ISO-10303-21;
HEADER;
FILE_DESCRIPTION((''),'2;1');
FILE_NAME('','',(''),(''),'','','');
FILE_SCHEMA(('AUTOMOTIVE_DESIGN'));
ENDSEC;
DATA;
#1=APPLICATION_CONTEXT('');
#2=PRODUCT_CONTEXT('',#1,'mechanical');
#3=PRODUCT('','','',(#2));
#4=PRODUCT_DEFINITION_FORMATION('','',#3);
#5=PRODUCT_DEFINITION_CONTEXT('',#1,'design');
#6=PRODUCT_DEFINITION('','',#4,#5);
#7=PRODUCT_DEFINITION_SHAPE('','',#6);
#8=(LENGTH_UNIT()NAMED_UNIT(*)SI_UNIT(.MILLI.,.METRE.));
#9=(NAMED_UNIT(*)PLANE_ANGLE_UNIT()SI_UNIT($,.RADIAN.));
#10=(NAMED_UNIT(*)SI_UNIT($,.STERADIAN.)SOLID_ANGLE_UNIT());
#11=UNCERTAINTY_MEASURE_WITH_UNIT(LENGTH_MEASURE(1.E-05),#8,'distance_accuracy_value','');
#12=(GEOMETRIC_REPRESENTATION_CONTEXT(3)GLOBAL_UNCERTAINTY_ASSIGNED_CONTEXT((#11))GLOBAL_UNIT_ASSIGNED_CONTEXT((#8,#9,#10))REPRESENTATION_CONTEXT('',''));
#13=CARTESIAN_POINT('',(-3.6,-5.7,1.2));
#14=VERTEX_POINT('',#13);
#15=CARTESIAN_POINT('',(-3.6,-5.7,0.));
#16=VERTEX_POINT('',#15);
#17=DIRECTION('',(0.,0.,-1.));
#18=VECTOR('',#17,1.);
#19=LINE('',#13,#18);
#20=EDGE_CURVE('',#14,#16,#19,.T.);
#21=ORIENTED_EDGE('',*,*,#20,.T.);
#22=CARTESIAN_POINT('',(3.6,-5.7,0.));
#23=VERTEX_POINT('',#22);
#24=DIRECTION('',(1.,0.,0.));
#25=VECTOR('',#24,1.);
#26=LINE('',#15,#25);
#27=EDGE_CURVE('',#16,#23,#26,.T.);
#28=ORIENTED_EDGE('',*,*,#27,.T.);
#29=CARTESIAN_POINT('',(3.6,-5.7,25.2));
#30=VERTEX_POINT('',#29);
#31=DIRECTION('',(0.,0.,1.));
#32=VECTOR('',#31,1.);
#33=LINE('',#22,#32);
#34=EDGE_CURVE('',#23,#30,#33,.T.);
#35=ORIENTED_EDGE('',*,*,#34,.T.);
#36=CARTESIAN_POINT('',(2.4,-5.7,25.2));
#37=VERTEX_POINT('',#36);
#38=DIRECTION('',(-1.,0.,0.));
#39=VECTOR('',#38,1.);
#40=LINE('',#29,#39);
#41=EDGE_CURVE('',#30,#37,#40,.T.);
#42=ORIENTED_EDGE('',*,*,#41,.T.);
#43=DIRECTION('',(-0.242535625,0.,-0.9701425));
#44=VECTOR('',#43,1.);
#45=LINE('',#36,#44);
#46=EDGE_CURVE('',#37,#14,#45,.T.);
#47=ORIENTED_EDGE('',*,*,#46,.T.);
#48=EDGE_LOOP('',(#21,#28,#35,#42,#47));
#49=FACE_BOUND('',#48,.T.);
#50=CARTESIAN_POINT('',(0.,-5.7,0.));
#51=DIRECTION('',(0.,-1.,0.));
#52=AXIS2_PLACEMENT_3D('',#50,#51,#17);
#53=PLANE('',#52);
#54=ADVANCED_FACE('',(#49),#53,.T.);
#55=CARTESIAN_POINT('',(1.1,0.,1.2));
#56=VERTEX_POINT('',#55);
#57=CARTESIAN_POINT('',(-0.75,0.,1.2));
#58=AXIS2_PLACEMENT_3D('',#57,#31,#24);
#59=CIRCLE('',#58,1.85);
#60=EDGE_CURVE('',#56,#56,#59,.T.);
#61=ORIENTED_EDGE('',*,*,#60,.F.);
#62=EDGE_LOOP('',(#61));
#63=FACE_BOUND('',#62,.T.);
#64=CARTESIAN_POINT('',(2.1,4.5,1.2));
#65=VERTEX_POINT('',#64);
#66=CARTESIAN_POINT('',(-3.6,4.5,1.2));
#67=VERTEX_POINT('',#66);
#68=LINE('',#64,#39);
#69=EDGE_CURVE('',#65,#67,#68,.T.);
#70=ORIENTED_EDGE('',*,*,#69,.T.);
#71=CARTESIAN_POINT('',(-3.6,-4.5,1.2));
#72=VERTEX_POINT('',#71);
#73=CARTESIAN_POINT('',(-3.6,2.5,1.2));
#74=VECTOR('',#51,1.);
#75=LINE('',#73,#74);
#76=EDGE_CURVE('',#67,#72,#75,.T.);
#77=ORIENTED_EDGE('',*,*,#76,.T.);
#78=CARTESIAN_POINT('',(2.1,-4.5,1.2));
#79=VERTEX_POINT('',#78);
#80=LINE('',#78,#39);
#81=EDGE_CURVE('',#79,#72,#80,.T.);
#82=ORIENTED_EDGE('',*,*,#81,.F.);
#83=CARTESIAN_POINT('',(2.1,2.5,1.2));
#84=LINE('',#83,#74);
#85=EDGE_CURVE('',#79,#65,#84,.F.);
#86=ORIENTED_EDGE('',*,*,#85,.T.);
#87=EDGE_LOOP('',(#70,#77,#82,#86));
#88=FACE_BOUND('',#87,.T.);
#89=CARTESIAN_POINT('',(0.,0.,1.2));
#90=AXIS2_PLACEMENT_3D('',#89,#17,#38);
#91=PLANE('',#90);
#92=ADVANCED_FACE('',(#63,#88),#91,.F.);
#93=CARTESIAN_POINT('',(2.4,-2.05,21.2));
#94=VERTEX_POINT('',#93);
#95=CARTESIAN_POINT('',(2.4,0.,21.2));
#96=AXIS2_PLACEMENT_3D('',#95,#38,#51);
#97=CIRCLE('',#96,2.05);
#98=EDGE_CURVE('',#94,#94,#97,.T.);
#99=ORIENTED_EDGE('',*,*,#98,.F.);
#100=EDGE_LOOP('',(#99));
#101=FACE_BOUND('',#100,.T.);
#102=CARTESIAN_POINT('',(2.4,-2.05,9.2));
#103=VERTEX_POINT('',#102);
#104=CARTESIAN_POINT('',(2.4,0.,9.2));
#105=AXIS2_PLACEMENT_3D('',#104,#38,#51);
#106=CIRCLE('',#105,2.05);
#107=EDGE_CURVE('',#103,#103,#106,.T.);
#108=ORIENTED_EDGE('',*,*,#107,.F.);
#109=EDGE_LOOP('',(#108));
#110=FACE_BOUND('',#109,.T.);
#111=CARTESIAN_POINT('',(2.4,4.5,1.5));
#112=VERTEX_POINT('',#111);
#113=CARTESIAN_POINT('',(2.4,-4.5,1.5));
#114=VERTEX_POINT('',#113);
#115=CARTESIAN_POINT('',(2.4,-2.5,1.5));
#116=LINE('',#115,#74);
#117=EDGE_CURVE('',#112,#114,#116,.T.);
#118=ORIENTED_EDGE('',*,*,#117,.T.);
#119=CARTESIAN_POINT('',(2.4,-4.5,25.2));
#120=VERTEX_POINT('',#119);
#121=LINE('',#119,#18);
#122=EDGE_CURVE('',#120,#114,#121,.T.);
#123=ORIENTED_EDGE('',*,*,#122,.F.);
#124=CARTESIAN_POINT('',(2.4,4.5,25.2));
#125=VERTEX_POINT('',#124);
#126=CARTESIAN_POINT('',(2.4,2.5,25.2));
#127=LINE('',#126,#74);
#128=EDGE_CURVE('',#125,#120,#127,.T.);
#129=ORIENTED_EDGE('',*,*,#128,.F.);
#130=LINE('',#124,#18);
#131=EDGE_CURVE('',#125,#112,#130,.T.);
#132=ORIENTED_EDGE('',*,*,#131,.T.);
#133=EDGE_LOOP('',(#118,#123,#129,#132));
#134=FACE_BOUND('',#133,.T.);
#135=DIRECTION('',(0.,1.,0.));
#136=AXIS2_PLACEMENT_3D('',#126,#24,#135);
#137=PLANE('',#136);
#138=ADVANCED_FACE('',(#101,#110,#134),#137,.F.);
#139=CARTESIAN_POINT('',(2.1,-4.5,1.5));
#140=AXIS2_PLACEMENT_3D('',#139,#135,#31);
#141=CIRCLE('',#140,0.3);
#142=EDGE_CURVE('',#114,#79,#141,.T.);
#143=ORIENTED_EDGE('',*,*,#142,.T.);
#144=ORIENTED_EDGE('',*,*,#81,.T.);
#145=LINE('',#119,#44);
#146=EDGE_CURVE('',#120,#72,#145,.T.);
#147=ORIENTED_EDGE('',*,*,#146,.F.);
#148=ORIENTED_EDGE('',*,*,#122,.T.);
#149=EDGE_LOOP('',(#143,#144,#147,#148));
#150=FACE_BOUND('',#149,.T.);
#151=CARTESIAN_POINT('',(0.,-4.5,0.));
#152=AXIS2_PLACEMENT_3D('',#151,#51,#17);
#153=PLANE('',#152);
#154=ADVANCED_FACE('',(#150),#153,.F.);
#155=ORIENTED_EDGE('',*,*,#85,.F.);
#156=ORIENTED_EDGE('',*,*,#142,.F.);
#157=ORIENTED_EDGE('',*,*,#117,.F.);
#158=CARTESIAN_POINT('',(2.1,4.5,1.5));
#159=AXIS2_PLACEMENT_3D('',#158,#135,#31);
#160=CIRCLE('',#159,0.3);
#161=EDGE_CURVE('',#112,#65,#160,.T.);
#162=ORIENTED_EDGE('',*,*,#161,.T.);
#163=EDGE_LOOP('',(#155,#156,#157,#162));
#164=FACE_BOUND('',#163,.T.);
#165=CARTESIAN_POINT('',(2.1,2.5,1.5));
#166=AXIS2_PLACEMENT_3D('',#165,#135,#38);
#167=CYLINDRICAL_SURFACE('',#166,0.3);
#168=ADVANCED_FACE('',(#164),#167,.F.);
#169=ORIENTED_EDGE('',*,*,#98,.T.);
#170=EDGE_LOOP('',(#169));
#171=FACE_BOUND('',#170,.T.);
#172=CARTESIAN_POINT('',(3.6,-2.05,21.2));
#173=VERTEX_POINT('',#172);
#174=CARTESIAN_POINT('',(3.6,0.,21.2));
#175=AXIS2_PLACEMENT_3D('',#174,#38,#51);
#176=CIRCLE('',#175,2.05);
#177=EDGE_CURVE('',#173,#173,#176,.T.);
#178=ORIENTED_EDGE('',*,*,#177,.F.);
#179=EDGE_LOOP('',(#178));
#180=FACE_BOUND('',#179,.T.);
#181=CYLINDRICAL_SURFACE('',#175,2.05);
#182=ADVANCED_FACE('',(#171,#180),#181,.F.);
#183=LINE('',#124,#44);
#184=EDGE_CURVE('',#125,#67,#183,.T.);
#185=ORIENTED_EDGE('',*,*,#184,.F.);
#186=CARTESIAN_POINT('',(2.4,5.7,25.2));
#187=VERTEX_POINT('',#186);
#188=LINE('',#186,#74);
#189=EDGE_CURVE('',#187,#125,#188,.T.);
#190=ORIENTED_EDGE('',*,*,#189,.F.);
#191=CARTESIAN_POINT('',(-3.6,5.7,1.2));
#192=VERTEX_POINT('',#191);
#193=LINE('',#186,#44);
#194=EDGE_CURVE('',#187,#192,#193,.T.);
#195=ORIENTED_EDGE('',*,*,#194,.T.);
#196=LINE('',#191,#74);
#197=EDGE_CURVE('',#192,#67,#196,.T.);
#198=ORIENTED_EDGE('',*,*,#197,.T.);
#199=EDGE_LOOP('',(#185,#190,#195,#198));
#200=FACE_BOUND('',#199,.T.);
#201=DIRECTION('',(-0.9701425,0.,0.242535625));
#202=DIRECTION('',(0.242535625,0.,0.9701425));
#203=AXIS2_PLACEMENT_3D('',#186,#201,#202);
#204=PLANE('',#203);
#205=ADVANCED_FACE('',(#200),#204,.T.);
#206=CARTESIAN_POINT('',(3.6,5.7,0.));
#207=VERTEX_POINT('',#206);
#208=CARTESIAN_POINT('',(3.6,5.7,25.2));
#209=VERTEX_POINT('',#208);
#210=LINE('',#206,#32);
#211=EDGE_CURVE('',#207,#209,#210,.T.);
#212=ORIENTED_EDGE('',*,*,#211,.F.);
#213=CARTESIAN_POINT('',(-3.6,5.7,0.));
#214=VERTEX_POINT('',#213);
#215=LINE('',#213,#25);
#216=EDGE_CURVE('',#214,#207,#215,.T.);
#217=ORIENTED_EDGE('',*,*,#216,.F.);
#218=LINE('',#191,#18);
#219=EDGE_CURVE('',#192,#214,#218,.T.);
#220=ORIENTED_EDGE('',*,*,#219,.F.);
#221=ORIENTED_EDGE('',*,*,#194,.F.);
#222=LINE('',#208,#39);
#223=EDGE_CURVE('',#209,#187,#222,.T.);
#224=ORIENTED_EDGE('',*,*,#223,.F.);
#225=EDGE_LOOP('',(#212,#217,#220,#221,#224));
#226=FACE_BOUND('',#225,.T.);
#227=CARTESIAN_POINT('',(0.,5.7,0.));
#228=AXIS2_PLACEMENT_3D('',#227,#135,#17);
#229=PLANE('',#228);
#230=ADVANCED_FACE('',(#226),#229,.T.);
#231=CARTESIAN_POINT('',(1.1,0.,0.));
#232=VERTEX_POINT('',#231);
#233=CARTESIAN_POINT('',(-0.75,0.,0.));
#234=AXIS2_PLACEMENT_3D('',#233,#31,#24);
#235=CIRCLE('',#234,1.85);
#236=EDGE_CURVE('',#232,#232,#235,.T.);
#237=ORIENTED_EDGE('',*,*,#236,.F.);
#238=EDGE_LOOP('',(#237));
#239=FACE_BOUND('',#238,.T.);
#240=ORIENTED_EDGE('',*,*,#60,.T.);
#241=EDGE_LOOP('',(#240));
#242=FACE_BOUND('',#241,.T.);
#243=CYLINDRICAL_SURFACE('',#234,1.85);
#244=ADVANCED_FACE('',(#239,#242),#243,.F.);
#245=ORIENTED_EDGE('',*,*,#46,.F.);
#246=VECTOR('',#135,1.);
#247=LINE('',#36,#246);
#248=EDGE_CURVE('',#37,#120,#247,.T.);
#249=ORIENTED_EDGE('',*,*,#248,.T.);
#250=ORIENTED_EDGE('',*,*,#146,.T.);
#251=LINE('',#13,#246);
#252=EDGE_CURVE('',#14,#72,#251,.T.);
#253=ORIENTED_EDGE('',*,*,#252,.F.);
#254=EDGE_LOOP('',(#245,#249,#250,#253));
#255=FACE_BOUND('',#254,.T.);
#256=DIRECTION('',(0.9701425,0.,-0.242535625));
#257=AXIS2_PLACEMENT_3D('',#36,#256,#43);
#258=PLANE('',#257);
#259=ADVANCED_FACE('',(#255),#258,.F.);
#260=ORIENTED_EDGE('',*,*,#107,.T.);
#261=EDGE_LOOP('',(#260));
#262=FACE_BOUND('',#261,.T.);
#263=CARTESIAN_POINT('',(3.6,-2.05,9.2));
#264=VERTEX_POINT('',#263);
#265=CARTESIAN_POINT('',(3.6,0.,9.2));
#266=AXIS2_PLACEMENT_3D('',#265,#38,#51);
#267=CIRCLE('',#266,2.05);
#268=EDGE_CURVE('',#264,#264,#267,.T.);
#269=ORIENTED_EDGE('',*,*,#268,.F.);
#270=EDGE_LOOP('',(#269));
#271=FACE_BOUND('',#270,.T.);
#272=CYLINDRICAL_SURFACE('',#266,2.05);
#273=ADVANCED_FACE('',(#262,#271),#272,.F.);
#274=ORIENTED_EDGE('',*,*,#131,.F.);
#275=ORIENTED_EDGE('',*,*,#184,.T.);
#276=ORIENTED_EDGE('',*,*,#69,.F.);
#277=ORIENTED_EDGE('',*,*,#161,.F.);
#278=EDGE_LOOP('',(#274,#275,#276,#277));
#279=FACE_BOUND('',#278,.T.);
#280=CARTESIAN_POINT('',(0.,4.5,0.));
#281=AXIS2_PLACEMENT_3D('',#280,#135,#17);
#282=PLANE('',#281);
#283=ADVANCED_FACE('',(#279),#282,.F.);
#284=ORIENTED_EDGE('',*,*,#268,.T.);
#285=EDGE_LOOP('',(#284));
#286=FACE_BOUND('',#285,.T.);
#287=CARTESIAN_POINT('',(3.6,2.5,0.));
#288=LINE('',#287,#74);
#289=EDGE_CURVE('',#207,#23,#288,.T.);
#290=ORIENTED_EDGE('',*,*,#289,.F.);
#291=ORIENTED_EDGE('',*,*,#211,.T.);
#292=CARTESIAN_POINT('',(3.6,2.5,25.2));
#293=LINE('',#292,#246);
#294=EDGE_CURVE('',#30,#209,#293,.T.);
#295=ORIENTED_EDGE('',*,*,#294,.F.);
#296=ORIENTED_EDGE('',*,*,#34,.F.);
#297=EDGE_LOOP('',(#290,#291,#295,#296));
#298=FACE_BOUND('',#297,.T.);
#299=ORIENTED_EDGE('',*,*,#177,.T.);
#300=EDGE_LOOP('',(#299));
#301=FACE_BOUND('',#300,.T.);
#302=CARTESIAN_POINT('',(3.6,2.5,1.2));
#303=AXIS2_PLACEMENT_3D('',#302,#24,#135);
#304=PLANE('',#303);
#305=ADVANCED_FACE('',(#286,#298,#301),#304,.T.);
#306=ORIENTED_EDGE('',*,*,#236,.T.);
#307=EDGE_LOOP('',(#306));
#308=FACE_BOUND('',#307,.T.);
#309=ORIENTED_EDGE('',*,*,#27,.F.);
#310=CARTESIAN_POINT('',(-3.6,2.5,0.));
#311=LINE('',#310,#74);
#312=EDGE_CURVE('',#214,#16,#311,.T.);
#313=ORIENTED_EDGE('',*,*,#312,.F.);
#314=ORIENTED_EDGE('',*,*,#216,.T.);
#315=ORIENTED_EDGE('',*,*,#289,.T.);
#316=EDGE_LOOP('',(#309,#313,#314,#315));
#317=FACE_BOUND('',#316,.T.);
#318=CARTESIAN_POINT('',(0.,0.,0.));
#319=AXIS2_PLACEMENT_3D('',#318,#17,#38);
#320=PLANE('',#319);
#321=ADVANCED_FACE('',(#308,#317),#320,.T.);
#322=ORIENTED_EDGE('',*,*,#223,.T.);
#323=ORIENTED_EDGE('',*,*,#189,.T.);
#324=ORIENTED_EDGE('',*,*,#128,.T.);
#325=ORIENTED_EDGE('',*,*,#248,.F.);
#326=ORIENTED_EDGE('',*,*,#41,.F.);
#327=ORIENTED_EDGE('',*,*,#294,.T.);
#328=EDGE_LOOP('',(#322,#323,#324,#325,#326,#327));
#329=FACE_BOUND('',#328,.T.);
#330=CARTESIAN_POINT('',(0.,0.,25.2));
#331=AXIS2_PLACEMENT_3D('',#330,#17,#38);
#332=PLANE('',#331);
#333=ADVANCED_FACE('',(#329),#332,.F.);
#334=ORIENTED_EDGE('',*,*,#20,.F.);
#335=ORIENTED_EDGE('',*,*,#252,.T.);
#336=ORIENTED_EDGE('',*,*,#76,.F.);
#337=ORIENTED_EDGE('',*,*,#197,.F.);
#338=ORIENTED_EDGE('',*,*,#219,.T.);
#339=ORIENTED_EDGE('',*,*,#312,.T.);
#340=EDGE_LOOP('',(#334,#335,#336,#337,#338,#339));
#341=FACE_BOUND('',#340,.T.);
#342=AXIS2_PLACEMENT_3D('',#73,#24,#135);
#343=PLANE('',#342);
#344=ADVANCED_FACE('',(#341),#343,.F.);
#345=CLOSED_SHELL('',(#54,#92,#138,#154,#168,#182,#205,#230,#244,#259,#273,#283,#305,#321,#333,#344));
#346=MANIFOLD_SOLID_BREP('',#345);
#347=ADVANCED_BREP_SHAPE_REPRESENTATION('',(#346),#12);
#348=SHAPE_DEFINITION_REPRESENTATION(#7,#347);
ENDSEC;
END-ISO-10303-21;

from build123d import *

# Parameters (mm, degrees)
SKETCH_1_W          = 7.2
SKETCH_1_H          = 5
EXTRUDE_1_DEPTH     = 1.2
SKETCH_2_R          = 1.85
CUT_EXTRUDE_1_DEPTH = 5.544227107
SKETCH_3_W          = 1.2
SKETCH_3_H          = 5
EXTRUDE_2_DEPTH     = 24
FILLET_1_R          = 0.3
SKETCH_4_R          = 2.05
CUT_EXTRUDE_2_DEPTH = 27.024795869
EXTRUDE_START       = 2
EXTRUDE_4_DEPTH     = 2
EXTRUDE_5_DEPTH     = 1.2


with BuildPart() as part:
    # 스케치1 → 보스-돌출1 (new body)
    with BuildSketch(Plane.XY):
        Rectangle(SKETCH_1_W, SKETCH_1_H)
    extrude(amount=EXTRUDE_1_DEPTH)

    # 스케치2 → 컷-돌출1 (cut, through all)
    with BuildSketch(Plane.XY.offset(1.2)):
        with Locations((-0.75, 0)):
            Circle(SKETCH_2_R)
    extrude(amount=-CUT_EXTRUDE_1_DEPTH, mode=Mode.SUBTRACT)

    # 스케치3 → 보스-돌출2 (add)
    with BuildSketch(Plane.XY.offset(1.2)):
        with Locations((3, 0)):
            Rectangle(SKETCH_3_W, SKETCH_3_H)
    extrude(amount=EXTRUDE_2_DEPTH)

    # 필렛1
    fillet_1_edges = [part.edges().sort_by_distance(p)[0] for p in [
        (2.4, 0, 1.2),
    ]]
    fillet(fillet_1_edges, radius=FILLET_1_R)

    # 스케치4 → 컷-돌출2 (cut, through all)
    with BuildSketch(Plane.ZY.offset(-2.4)):
        with Locations(Location((21.2, 0, 0), (0, 0, 270))):
            Circle(SKETCH_4_R)
        with Locations(Location((9.2, 0, 0), (0, 0, 270))):
            Circle(SKETCH_4_R)
    extrude(amount=-CUT_EXTRUDE_2_DEPTH, mode=Mode.SUBTRACT)

    # 스케치6 → 보스-돌출4 (add)
    with BuildSketch(Plane.XZ.offset(2.5).offset(EXTRUDE_START)):
        with BuildLine():
            Line((-3.6, 1.2), (-3.6, 0))
            Line((-3.6, 0), (3.6, 0))
            Line((3.6, 0), (3.6, 25.2))
            Line((3.6, 25.2), (2.4, 25.2))
            Line((2.4, 25.2), (2.4, 1.5))
            ThreePointArc((2.4, 1.5), (2.312132034, 1.287867966), (2.1, 1.2))
            Line((2.1, 1.2), (-3.6, 1.2))
        make_face()
    extrude_4 = extrude(amount=-EXTRUDE_4_DEPTH)

    # 대칭 복사1: 보스-돌출4 across plane
    add(extrude_4.mirror(Plane.ZX))

    # 스케치7 → 보스-돌출5 (add)
    with BuildSketch(Plane(origin=(0, -4.5, 0), x_dir=(-1, 0, 0), z_dir=(0, -1, 0))):
        Polygon((3.6, 0), (-3.6, 0), (-3.6, -25.2), (-2.4, -25.2), (3.6, -1.2), align=None)
    extrude_5 = extrude(amount=EXTRUDE_5_DEPTH)

    # 대칭 복사2: 보스-돌출5 across plane
    add(extrude_5.mirror(Plane.ZX))


solid = part.part
